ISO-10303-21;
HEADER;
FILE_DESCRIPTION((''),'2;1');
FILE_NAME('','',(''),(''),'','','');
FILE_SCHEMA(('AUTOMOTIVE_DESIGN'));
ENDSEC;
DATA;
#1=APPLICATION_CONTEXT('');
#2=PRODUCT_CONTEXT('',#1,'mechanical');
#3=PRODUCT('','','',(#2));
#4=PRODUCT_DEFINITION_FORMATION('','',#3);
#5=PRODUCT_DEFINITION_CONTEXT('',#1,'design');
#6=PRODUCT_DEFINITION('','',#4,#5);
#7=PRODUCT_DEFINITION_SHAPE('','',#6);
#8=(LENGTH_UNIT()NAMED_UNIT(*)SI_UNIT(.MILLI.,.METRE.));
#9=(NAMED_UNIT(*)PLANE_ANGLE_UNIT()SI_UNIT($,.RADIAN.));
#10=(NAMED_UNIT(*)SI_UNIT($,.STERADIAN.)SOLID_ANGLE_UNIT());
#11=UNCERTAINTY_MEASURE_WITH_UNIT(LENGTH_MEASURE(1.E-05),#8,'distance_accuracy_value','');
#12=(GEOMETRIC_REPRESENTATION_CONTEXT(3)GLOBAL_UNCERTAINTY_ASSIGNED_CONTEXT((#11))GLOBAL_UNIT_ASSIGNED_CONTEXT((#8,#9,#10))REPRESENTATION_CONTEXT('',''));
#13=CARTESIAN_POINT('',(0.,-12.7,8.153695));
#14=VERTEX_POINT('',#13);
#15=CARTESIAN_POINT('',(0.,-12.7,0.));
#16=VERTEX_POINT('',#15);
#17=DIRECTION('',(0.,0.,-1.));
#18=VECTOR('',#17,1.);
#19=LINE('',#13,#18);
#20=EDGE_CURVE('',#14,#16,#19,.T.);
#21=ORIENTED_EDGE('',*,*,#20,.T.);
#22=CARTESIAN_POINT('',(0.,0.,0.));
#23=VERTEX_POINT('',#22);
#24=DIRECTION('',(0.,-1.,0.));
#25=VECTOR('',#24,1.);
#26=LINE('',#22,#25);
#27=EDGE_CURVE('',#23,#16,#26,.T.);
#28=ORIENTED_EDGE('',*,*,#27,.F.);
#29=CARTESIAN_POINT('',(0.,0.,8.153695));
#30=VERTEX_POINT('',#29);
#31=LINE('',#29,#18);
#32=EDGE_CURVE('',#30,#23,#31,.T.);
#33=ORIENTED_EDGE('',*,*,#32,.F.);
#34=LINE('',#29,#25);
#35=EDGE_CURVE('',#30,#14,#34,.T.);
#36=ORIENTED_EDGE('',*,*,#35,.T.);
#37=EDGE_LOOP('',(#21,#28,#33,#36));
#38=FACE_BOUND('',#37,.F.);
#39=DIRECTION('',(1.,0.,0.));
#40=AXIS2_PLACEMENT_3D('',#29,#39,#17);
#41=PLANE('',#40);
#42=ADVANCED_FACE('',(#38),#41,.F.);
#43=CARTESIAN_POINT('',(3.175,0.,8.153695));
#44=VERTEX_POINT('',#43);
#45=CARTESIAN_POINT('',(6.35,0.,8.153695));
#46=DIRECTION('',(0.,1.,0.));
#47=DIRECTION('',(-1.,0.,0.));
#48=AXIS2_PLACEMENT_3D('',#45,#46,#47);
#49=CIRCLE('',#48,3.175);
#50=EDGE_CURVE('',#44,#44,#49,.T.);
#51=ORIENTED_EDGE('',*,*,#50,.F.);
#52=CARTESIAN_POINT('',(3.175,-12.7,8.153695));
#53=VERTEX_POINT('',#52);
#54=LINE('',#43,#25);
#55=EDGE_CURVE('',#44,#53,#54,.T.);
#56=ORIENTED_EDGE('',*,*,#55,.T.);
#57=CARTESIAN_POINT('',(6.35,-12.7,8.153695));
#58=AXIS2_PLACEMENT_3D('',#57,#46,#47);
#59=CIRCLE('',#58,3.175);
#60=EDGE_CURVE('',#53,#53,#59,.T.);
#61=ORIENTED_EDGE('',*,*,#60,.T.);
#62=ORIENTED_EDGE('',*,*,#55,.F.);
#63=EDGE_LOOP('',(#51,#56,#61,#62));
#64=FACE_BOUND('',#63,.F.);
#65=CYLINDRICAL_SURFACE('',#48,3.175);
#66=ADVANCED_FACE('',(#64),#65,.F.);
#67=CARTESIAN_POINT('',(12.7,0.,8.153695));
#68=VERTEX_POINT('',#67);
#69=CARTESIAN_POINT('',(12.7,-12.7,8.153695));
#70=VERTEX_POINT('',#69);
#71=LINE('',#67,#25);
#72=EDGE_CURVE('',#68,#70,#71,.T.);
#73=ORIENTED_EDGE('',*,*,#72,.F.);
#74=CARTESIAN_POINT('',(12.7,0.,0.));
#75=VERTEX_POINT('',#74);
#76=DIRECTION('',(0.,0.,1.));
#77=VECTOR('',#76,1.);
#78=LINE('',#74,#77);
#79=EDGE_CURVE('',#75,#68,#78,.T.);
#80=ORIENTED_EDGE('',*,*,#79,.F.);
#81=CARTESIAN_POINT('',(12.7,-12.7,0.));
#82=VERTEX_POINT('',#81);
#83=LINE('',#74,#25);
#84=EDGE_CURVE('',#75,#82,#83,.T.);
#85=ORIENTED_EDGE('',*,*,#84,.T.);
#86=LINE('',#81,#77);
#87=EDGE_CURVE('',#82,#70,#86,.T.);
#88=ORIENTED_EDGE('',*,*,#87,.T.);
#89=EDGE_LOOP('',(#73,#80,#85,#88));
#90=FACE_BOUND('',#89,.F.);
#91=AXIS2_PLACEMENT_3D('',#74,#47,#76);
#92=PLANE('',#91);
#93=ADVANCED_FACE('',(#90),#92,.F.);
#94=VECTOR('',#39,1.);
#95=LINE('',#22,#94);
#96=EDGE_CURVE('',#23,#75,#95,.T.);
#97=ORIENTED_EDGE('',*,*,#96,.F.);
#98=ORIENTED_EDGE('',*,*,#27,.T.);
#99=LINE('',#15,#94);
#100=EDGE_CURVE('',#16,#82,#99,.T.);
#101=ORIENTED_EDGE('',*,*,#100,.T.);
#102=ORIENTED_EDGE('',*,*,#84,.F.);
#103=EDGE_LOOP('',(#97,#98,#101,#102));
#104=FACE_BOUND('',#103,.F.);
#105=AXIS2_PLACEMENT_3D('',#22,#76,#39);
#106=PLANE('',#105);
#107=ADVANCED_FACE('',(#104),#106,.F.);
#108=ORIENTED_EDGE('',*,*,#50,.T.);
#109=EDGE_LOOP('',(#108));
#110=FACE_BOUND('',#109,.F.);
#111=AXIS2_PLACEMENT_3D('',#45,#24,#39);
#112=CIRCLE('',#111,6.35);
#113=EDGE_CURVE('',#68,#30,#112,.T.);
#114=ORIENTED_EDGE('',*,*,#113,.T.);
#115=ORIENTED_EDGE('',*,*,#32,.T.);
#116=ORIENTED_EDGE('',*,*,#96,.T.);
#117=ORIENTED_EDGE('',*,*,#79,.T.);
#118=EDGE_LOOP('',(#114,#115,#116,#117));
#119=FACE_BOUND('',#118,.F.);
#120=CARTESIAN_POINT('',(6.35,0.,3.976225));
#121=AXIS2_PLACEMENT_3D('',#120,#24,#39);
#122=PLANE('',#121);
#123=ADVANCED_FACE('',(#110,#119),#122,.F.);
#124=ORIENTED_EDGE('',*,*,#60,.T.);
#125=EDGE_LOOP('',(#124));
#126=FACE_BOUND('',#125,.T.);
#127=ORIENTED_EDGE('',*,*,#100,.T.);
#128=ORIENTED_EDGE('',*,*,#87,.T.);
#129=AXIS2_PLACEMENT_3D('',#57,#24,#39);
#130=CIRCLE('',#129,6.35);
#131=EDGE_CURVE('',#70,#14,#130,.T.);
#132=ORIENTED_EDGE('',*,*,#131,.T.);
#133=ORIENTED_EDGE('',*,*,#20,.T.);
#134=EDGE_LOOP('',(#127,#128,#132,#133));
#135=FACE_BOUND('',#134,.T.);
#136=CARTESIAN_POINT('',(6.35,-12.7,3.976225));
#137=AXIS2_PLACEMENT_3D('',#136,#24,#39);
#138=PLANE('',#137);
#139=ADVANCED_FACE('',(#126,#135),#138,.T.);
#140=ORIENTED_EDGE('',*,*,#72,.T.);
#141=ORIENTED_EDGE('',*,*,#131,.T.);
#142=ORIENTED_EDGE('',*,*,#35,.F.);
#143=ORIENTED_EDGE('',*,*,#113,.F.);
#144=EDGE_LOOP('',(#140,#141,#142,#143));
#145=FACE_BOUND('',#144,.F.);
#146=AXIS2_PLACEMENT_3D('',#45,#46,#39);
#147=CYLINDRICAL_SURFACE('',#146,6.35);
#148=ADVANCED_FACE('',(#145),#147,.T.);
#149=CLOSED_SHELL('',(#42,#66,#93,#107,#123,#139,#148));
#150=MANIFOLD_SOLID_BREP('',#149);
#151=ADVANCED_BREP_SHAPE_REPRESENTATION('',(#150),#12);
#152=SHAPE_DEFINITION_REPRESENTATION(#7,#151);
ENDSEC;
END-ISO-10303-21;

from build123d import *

# Parameters (mm, degrees)
F1_DEPTH = 12.7


with BuildPart() as f1:
    # F0 (on Front) → F1 (new body)
    with BuildSketch(Plane.XZ):
        with BuildLine():
            Line((0, 8.153695), (0, 0))
            Line((0, 0), (12.7, 0))
            Line((12.7, 0), (12.7, 8.153695))
            Line((12.7, 8.153695), (9.525, 8.153695))
            ThreePointArc((9.525, 8.153695), (6.35, 4.978695), (3.175, 8.153695))
            Line((3.175, 8.153695), (0, 8.153695))
        make_face()
        with BuildLine():
            ThreePointArc((12.7, 8.153695), (6.35, 14.503695), (0, 8.153695))
            Line((0, 8.153695), (3.175, 8.153695))
            ThreePointArc((3.175, 8.153695), (6.35, 11.328695), (9.525, 8.153695))
            Line((9.525, 8.153695), (12.7, 8.153695))
        make_face()
    extrude(amount=F1_DEPTH)


solid = f1.part
